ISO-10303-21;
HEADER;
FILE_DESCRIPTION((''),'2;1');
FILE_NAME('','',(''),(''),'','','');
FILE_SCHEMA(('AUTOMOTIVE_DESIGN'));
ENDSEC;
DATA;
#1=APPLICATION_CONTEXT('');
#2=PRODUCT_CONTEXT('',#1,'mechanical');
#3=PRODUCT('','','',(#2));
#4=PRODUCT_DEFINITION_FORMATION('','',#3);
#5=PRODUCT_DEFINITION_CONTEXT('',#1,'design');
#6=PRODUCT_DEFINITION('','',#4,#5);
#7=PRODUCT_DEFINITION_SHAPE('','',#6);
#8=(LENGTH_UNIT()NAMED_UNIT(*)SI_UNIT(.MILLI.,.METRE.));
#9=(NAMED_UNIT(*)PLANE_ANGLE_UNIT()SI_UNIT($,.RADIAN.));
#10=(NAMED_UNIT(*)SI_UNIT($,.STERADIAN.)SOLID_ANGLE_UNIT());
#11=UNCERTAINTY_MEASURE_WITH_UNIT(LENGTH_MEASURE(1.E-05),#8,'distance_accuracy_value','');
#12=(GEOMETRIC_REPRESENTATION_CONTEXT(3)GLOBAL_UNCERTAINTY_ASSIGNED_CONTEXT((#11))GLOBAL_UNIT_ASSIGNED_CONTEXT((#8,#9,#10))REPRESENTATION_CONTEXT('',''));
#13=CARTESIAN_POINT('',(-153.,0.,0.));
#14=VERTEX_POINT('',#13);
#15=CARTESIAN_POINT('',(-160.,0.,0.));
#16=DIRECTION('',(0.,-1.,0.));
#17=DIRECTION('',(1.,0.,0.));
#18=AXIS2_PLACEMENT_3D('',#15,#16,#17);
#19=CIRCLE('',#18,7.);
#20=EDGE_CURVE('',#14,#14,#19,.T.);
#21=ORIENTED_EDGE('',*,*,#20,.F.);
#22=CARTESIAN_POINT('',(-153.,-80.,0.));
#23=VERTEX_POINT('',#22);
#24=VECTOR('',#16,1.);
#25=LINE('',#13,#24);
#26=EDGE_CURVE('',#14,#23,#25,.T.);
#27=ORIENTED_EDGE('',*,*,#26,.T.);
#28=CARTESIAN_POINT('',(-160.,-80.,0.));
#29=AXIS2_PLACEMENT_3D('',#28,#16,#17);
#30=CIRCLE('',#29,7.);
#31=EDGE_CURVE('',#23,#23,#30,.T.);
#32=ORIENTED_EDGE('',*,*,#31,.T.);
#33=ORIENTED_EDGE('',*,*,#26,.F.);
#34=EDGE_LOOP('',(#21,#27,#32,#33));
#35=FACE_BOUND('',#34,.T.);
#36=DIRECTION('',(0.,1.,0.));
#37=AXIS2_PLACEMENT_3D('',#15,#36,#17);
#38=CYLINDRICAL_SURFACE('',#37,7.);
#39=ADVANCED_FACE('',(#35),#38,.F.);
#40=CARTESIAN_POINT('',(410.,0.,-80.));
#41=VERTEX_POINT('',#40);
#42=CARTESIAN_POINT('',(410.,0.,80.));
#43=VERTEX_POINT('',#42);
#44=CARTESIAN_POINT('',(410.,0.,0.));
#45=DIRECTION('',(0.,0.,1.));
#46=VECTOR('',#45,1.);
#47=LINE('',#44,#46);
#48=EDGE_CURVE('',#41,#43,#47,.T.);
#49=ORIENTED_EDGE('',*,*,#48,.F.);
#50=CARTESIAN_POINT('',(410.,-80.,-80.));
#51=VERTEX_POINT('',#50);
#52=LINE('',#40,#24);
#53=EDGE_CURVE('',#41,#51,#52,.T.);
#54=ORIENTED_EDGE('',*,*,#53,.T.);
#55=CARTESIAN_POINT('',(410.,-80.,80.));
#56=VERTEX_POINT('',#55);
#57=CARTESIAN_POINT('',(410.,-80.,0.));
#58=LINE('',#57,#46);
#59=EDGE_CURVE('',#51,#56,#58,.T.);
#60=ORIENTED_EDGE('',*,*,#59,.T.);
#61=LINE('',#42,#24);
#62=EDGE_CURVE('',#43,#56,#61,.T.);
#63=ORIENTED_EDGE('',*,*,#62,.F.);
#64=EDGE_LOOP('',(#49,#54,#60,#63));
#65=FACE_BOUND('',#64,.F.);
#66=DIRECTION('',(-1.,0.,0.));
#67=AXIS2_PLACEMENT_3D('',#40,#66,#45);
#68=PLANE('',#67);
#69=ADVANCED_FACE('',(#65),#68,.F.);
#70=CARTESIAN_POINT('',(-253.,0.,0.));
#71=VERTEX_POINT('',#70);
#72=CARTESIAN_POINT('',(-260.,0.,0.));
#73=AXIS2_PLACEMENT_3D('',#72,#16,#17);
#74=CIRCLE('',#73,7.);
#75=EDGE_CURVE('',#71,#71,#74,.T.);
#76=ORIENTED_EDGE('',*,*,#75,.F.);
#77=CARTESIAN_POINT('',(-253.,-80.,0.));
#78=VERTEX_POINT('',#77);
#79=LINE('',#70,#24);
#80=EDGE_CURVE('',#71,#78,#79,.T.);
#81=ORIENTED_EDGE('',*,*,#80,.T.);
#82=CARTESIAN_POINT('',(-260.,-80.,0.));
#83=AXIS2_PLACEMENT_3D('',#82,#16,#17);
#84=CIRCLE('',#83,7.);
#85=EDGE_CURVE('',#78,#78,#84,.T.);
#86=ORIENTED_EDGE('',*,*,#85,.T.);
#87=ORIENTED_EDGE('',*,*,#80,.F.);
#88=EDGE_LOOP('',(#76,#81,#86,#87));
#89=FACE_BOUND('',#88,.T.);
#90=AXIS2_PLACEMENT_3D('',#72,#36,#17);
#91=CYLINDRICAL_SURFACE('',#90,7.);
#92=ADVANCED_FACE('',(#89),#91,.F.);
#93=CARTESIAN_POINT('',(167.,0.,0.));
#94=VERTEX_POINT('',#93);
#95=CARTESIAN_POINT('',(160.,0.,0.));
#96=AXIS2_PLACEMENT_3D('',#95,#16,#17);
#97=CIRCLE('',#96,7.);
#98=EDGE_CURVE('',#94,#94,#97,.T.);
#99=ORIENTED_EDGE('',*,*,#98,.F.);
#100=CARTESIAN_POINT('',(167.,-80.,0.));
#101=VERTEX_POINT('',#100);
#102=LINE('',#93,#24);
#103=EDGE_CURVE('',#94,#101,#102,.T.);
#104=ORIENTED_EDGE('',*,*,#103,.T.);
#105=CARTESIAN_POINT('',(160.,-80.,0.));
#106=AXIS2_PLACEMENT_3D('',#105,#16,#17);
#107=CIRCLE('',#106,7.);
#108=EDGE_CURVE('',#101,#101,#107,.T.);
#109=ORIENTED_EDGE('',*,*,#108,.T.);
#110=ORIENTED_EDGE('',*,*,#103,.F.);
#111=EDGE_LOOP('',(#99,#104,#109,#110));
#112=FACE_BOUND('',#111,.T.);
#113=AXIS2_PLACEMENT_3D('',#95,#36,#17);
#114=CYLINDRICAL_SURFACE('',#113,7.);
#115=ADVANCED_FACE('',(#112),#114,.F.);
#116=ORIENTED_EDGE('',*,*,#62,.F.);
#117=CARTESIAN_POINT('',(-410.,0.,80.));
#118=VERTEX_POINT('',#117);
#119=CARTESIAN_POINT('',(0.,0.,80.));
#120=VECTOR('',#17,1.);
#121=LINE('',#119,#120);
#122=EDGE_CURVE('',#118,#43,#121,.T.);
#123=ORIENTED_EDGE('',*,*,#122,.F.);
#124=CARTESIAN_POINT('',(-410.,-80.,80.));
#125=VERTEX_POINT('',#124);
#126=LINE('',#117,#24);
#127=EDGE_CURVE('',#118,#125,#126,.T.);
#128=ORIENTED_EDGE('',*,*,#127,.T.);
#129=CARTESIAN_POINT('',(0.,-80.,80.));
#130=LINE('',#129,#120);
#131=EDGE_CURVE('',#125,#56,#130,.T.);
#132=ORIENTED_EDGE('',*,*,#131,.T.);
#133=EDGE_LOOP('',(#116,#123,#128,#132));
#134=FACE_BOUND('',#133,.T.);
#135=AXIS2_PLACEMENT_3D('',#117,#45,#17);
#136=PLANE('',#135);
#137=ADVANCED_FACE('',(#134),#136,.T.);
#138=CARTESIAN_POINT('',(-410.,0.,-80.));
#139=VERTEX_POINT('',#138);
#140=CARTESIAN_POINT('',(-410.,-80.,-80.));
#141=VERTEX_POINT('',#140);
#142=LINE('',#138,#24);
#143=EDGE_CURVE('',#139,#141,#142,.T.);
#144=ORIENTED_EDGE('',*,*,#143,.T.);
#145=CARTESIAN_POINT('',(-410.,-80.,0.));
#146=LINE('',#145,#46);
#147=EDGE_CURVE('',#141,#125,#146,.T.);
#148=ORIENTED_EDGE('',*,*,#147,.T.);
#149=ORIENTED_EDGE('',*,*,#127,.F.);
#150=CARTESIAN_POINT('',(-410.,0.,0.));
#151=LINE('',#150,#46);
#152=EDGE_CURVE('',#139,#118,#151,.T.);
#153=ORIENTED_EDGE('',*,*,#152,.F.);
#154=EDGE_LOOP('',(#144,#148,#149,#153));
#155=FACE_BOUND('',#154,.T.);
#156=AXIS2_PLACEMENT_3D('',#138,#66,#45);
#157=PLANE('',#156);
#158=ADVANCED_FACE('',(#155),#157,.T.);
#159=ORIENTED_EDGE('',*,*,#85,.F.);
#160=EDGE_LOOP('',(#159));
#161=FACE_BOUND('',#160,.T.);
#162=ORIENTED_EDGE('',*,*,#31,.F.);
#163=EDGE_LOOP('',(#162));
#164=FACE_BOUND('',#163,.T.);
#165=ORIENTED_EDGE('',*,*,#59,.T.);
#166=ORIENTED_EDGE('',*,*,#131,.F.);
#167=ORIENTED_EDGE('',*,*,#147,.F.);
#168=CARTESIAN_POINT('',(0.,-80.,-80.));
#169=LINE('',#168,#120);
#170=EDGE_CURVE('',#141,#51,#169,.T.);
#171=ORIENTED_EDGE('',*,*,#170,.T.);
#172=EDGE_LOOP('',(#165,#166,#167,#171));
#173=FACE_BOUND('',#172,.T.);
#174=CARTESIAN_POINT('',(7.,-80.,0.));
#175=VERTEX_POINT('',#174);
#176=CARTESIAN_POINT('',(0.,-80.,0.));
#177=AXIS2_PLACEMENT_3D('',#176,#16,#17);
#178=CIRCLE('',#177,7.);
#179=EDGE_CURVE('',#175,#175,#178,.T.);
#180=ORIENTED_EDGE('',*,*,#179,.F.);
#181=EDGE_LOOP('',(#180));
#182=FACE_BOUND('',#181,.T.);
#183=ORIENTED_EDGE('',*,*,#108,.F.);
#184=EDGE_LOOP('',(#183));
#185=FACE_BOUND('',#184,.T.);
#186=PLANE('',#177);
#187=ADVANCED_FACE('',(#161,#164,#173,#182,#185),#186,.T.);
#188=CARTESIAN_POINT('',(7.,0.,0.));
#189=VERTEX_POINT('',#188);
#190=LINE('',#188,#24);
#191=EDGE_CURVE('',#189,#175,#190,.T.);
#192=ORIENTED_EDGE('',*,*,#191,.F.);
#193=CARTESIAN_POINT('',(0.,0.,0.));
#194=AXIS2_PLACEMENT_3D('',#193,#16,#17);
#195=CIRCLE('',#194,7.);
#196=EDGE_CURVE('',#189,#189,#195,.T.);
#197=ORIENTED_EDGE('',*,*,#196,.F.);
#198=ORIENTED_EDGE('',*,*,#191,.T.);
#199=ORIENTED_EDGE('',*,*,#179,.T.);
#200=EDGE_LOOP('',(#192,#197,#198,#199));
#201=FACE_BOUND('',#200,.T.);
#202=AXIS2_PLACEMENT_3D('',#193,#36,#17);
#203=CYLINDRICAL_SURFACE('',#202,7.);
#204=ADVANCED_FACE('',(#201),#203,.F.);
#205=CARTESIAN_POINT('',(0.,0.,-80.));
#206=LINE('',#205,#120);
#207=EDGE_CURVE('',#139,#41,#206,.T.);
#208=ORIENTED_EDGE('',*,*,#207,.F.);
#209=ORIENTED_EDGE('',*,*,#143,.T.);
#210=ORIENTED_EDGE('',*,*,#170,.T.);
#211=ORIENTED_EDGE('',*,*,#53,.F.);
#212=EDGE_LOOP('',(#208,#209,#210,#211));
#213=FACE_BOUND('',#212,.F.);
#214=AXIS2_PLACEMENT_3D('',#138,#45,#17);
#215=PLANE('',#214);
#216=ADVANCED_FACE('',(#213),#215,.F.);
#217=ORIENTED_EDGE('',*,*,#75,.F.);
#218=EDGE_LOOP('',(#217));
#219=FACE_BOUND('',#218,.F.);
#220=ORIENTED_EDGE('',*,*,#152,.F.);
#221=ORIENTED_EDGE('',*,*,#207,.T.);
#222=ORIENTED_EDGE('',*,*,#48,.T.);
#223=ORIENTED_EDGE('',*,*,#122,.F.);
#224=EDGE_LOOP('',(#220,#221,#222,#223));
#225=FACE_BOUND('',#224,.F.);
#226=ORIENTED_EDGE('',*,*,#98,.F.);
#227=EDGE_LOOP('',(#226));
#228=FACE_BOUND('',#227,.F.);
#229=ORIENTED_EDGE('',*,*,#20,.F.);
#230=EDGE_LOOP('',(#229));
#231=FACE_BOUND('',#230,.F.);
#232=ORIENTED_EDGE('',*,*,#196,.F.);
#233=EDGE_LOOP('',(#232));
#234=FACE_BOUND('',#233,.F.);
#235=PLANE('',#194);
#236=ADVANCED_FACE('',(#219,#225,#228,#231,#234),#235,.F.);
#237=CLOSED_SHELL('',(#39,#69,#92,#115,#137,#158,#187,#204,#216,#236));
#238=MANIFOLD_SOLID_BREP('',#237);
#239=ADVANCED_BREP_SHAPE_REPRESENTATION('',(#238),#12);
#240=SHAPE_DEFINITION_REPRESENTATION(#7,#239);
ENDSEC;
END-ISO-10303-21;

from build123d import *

# Parameters (mm, degrees)
F0_W     = 820
F0_H     = 160
F0_R     = 7
F1_DEPTH = 80


with BuildPart() as f1:
    # F0 (on Front) → F1 (new body)
    with BuildSketch(Plane.XZ):
        Rectangle(F0_W, F0_H)
        with Locations((-260, 0)):
            Circle(F0_R, mode=Mode.SUBTRACT)
        with Locations((-160, 0)):
            Circle(F0_R, mode=Mode.SUBTRACT)
        Circle(F0_R, mode=Mode.SUBTRACT)
        with Locations((160, 0)):
            Circle(F0_R, mode=Mode.SUBTRACT)
    extrude(amount=F1_DEPTH)


solid = f1.part
